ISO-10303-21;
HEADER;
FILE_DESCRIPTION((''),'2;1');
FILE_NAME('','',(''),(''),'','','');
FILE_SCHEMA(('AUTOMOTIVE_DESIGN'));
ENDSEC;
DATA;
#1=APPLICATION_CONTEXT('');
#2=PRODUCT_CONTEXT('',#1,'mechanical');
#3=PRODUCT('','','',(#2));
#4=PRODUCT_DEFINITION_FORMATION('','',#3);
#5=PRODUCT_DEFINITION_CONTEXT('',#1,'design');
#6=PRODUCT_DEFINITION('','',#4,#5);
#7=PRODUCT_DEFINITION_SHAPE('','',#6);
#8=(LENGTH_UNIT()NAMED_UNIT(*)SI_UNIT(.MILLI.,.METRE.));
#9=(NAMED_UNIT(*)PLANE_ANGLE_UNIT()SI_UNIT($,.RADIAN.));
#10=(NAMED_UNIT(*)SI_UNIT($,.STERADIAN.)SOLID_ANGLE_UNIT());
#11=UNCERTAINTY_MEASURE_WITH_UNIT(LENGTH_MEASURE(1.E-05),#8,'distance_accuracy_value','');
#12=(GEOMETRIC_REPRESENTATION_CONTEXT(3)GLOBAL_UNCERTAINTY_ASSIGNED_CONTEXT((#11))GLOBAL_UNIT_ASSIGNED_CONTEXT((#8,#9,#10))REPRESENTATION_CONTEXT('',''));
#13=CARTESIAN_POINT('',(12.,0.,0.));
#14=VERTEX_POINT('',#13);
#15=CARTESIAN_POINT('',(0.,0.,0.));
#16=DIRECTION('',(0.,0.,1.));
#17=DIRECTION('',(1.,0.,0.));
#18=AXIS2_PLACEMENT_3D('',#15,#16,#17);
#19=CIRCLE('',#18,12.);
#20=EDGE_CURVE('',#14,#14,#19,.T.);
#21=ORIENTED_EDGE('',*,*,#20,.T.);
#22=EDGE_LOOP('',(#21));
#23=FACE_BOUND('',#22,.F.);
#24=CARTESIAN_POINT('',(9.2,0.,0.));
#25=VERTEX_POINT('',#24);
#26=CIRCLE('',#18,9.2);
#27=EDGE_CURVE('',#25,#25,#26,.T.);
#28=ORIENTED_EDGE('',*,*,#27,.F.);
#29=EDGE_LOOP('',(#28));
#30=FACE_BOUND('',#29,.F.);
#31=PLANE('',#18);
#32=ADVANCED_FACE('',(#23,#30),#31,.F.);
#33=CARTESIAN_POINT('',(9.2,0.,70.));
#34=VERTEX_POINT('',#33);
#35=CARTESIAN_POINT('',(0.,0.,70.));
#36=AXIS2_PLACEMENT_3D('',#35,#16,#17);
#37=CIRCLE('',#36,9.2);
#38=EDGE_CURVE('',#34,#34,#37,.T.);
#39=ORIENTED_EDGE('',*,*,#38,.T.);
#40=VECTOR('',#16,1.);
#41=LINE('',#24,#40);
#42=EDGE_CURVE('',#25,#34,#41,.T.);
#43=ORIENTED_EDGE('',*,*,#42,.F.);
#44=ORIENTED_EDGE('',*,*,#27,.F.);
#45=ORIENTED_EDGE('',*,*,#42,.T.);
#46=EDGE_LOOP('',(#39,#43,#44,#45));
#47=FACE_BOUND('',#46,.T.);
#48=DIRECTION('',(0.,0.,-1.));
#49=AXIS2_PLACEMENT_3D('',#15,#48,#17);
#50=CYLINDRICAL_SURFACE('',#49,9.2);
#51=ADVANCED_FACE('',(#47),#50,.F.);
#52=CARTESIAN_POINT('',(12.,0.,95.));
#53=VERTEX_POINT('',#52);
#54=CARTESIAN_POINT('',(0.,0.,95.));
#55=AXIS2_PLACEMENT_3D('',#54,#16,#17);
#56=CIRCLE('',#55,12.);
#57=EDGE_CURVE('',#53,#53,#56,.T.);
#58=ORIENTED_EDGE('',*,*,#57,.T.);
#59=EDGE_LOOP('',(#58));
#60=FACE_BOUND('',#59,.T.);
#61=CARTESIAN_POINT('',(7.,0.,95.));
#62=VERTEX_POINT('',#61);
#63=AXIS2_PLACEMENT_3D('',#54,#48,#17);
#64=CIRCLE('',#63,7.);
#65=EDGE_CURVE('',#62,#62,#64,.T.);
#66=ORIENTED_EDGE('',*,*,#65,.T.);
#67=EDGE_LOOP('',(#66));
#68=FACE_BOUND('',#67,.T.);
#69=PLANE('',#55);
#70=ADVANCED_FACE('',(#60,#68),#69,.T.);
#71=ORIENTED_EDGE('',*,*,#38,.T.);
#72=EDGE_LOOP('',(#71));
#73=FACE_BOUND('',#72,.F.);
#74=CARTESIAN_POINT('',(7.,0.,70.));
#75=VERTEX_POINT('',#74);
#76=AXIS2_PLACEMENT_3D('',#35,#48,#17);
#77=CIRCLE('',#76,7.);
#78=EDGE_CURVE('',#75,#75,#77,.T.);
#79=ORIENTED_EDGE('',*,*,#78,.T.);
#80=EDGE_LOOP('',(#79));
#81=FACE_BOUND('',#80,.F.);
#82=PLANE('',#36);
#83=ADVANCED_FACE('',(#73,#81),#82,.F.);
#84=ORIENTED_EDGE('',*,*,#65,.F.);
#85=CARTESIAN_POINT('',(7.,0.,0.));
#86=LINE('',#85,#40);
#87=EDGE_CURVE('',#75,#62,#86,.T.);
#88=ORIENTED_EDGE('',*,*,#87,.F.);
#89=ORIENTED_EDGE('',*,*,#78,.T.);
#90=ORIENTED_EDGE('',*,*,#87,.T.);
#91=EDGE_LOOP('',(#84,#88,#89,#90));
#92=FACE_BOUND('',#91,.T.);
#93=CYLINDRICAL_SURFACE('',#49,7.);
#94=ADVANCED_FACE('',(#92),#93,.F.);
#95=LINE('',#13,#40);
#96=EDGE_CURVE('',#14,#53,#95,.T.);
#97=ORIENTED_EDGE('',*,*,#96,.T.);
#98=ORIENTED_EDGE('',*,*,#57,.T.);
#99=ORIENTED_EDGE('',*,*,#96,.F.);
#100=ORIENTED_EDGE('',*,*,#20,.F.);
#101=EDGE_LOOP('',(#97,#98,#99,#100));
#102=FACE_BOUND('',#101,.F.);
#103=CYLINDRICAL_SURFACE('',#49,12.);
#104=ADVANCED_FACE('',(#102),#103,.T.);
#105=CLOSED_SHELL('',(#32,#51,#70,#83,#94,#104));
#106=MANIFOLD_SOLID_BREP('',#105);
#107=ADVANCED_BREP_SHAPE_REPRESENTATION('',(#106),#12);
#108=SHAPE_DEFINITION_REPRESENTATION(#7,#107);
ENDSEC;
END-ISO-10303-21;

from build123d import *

# Parameters (mm, degrees)
CYLINDER_R           = 12
CYLINDER_DEPTH       = 95
SKETCH_R             = 9.2
POCKET_DEPTH         = 70
SKETCH001_R          = 7
POCKET001_DEPTH      = 0.001
POCKET001_DEPTH_BACK = -95.001


with BuildPart() as part:
    # Cylinder → Cylinder (new body)
    with BuildSketch(Plane.XY):
        Circle(CYLINDER_R)
    extrude(amount=CYLINDER_DEPTH)

    # Sketch → Pocket (cut)
    with BuildSketch(Plane.XY):
        Circle(SKETCH_R)
    extrude(amount=POCKET_DEPTH, mode=Mode.SUBTRACT)

    # Sketch001 → Pocket001 (cut, two sides)
    with BuildSketch(Plane.XY) as pocket001_sk:
        Circle(SKETCH001_R)
    extrude(amount=-POCKET001_DEPTH, mode=Mode.SUBTRACT)
    extrude(pocket001_sk.sketch, amount=-POCKET001_DEPTH_BACK, mode=Mode.SUBTRACT)


solid = part.part
